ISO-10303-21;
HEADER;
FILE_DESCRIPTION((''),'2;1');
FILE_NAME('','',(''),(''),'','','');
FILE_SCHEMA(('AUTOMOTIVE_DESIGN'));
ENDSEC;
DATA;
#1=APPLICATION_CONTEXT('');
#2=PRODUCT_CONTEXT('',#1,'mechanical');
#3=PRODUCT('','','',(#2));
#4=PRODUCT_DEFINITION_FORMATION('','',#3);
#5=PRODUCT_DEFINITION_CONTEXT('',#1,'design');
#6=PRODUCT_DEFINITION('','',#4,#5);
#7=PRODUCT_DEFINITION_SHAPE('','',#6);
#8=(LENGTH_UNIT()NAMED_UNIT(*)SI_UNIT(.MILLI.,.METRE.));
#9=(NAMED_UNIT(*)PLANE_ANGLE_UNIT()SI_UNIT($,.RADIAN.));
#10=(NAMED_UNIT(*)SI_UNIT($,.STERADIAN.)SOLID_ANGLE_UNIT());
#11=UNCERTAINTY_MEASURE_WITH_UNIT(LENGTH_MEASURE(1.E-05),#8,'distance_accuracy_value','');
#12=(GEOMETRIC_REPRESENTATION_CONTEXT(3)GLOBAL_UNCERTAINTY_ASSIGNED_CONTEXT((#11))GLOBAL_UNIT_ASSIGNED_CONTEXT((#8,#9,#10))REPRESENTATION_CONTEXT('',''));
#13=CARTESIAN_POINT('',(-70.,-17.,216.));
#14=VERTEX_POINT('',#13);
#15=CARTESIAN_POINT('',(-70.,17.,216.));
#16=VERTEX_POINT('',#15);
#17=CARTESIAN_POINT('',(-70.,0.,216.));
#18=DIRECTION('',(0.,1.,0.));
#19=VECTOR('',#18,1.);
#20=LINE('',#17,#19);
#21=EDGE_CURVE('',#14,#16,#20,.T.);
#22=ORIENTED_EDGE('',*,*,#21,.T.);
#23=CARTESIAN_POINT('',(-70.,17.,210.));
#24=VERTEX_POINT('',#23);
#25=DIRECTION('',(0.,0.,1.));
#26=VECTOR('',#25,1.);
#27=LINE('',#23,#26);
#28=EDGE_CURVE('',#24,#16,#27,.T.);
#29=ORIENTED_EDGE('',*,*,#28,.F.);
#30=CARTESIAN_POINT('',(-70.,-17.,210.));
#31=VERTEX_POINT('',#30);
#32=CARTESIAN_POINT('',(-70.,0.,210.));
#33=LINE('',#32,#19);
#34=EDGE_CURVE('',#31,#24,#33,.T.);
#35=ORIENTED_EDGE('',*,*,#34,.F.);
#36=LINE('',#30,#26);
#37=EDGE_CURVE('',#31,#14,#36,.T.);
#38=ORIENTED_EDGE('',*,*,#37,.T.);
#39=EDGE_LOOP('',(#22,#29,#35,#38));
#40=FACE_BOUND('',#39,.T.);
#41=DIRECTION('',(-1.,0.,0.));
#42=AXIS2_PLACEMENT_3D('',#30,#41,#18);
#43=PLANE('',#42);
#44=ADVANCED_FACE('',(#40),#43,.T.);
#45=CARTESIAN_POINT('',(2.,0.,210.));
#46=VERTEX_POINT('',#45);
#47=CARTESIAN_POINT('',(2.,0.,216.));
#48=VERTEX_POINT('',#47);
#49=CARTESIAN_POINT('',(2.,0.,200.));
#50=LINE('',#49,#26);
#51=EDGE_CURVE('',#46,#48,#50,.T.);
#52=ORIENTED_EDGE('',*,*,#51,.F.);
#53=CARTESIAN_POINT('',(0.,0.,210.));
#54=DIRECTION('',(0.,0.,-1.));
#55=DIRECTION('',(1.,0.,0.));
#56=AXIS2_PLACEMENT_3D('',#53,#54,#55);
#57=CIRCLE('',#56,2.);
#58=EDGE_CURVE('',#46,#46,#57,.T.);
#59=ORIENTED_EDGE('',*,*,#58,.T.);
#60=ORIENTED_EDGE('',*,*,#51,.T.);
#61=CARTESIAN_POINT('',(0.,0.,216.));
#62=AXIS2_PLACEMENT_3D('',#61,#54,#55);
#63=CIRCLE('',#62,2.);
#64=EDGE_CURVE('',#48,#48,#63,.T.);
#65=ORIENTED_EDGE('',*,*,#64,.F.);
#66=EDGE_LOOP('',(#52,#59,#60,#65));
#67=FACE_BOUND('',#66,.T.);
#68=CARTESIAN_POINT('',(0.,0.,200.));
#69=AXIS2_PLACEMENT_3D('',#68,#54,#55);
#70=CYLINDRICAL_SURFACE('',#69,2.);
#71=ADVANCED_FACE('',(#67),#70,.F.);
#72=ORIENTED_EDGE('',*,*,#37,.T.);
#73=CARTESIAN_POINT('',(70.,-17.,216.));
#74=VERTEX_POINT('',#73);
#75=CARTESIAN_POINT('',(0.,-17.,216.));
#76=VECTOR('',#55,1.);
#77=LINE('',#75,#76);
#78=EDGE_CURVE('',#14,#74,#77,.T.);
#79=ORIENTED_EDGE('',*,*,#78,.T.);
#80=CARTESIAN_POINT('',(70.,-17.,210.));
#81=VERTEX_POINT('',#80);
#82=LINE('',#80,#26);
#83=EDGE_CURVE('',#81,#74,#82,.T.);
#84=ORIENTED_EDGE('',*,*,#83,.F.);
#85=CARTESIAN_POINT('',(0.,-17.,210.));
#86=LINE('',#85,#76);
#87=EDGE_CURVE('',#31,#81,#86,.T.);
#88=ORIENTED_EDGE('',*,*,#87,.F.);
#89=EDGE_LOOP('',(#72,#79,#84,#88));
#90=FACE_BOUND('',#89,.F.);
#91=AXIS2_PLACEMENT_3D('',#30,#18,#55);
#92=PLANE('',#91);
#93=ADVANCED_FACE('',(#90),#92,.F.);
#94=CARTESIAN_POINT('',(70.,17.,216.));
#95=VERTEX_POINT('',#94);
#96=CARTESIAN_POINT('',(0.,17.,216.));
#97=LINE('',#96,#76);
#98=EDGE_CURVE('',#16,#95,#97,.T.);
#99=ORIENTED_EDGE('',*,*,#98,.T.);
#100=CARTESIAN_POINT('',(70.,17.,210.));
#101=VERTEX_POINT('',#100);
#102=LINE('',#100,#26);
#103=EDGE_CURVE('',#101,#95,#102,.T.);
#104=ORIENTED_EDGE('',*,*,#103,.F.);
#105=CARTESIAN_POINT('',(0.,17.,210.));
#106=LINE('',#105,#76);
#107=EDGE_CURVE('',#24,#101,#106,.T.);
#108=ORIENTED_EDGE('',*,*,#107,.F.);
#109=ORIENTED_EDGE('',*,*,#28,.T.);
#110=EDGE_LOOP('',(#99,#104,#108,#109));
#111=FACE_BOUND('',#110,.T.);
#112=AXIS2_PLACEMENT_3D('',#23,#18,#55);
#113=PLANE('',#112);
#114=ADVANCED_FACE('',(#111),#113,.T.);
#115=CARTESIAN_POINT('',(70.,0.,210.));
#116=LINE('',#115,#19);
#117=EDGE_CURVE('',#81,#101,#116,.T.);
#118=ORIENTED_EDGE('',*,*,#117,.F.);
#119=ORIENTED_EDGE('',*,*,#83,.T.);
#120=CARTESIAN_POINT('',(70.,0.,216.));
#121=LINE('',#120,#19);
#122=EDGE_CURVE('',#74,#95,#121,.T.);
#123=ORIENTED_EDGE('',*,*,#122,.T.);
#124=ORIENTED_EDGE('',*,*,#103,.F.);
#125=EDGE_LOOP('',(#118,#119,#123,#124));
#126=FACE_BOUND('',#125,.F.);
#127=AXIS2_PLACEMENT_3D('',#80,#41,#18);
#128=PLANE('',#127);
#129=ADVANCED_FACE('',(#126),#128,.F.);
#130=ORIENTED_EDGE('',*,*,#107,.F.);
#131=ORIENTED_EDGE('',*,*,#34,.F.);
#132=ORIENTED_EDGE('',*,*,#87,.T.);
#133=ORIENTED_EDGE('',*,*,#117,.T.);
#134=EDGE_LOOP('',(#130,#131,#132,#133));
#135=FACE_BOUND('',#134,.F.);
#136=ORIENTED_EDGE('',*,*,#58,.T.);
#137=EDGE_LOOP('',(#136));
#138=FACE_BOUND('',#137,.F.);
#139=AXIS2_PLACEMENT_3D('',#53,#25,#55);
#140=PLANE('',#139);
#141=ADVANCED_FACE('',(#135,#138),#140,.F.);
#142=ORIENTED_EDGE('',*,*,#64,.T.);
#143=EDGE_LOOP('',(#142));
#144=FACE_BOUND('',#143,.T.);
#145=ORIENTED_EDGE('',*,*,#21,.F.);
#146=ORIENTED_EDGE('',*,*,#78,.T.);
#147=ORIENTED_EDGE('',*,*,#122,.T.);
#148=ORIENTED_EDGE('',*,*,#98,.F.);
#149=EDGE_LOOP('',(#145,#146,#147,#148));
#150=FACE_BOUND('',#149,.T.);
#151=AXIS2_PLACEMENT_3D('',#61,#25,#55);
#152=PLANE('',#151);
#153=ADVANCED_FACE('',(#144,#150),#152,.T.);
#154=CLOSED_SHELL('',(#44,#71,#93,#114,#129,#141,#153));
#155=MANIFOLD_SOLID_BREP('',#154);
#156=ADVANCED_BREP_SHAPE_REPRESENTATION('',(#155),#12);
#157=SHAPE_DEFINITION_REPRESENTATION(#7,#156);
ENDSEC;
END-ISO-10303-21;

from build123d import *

# Parameters (mm, degrees)
CYLINDER021_R     = 2
CYLINDER021_DEPTH = 30
BOX013_W          = 140
BOX013_H          = 34
BOX013_DEPTH      = 6


with BuildPart() as cylinder021:
    # Cylinder021 → Cylinder021 (new body)
    with BuildSketch(Plane.XY.offset(200)):
        Circle(CYLINDER021_R)
    extrude(amount=CYLINDER021_DEPTH)


with BuildPart() as ba_cap:
    # Box013 → Box013 (new body)
    with BuildSketch(Plane(origin=(-70, -17, 210), x_dir=(1, 0, 0), z_dir=(0, 0, 1))):
        with Locations((70, 17)):
            Rectangle(BOX013_W, BOX013_H)
    extrude(amount=BOX013_DEPTH)

    # Cut020: cut Cylinder021
    add(cylinder021.part, mode=Mode.SUBTRACT)


solid = ba_cap.part
